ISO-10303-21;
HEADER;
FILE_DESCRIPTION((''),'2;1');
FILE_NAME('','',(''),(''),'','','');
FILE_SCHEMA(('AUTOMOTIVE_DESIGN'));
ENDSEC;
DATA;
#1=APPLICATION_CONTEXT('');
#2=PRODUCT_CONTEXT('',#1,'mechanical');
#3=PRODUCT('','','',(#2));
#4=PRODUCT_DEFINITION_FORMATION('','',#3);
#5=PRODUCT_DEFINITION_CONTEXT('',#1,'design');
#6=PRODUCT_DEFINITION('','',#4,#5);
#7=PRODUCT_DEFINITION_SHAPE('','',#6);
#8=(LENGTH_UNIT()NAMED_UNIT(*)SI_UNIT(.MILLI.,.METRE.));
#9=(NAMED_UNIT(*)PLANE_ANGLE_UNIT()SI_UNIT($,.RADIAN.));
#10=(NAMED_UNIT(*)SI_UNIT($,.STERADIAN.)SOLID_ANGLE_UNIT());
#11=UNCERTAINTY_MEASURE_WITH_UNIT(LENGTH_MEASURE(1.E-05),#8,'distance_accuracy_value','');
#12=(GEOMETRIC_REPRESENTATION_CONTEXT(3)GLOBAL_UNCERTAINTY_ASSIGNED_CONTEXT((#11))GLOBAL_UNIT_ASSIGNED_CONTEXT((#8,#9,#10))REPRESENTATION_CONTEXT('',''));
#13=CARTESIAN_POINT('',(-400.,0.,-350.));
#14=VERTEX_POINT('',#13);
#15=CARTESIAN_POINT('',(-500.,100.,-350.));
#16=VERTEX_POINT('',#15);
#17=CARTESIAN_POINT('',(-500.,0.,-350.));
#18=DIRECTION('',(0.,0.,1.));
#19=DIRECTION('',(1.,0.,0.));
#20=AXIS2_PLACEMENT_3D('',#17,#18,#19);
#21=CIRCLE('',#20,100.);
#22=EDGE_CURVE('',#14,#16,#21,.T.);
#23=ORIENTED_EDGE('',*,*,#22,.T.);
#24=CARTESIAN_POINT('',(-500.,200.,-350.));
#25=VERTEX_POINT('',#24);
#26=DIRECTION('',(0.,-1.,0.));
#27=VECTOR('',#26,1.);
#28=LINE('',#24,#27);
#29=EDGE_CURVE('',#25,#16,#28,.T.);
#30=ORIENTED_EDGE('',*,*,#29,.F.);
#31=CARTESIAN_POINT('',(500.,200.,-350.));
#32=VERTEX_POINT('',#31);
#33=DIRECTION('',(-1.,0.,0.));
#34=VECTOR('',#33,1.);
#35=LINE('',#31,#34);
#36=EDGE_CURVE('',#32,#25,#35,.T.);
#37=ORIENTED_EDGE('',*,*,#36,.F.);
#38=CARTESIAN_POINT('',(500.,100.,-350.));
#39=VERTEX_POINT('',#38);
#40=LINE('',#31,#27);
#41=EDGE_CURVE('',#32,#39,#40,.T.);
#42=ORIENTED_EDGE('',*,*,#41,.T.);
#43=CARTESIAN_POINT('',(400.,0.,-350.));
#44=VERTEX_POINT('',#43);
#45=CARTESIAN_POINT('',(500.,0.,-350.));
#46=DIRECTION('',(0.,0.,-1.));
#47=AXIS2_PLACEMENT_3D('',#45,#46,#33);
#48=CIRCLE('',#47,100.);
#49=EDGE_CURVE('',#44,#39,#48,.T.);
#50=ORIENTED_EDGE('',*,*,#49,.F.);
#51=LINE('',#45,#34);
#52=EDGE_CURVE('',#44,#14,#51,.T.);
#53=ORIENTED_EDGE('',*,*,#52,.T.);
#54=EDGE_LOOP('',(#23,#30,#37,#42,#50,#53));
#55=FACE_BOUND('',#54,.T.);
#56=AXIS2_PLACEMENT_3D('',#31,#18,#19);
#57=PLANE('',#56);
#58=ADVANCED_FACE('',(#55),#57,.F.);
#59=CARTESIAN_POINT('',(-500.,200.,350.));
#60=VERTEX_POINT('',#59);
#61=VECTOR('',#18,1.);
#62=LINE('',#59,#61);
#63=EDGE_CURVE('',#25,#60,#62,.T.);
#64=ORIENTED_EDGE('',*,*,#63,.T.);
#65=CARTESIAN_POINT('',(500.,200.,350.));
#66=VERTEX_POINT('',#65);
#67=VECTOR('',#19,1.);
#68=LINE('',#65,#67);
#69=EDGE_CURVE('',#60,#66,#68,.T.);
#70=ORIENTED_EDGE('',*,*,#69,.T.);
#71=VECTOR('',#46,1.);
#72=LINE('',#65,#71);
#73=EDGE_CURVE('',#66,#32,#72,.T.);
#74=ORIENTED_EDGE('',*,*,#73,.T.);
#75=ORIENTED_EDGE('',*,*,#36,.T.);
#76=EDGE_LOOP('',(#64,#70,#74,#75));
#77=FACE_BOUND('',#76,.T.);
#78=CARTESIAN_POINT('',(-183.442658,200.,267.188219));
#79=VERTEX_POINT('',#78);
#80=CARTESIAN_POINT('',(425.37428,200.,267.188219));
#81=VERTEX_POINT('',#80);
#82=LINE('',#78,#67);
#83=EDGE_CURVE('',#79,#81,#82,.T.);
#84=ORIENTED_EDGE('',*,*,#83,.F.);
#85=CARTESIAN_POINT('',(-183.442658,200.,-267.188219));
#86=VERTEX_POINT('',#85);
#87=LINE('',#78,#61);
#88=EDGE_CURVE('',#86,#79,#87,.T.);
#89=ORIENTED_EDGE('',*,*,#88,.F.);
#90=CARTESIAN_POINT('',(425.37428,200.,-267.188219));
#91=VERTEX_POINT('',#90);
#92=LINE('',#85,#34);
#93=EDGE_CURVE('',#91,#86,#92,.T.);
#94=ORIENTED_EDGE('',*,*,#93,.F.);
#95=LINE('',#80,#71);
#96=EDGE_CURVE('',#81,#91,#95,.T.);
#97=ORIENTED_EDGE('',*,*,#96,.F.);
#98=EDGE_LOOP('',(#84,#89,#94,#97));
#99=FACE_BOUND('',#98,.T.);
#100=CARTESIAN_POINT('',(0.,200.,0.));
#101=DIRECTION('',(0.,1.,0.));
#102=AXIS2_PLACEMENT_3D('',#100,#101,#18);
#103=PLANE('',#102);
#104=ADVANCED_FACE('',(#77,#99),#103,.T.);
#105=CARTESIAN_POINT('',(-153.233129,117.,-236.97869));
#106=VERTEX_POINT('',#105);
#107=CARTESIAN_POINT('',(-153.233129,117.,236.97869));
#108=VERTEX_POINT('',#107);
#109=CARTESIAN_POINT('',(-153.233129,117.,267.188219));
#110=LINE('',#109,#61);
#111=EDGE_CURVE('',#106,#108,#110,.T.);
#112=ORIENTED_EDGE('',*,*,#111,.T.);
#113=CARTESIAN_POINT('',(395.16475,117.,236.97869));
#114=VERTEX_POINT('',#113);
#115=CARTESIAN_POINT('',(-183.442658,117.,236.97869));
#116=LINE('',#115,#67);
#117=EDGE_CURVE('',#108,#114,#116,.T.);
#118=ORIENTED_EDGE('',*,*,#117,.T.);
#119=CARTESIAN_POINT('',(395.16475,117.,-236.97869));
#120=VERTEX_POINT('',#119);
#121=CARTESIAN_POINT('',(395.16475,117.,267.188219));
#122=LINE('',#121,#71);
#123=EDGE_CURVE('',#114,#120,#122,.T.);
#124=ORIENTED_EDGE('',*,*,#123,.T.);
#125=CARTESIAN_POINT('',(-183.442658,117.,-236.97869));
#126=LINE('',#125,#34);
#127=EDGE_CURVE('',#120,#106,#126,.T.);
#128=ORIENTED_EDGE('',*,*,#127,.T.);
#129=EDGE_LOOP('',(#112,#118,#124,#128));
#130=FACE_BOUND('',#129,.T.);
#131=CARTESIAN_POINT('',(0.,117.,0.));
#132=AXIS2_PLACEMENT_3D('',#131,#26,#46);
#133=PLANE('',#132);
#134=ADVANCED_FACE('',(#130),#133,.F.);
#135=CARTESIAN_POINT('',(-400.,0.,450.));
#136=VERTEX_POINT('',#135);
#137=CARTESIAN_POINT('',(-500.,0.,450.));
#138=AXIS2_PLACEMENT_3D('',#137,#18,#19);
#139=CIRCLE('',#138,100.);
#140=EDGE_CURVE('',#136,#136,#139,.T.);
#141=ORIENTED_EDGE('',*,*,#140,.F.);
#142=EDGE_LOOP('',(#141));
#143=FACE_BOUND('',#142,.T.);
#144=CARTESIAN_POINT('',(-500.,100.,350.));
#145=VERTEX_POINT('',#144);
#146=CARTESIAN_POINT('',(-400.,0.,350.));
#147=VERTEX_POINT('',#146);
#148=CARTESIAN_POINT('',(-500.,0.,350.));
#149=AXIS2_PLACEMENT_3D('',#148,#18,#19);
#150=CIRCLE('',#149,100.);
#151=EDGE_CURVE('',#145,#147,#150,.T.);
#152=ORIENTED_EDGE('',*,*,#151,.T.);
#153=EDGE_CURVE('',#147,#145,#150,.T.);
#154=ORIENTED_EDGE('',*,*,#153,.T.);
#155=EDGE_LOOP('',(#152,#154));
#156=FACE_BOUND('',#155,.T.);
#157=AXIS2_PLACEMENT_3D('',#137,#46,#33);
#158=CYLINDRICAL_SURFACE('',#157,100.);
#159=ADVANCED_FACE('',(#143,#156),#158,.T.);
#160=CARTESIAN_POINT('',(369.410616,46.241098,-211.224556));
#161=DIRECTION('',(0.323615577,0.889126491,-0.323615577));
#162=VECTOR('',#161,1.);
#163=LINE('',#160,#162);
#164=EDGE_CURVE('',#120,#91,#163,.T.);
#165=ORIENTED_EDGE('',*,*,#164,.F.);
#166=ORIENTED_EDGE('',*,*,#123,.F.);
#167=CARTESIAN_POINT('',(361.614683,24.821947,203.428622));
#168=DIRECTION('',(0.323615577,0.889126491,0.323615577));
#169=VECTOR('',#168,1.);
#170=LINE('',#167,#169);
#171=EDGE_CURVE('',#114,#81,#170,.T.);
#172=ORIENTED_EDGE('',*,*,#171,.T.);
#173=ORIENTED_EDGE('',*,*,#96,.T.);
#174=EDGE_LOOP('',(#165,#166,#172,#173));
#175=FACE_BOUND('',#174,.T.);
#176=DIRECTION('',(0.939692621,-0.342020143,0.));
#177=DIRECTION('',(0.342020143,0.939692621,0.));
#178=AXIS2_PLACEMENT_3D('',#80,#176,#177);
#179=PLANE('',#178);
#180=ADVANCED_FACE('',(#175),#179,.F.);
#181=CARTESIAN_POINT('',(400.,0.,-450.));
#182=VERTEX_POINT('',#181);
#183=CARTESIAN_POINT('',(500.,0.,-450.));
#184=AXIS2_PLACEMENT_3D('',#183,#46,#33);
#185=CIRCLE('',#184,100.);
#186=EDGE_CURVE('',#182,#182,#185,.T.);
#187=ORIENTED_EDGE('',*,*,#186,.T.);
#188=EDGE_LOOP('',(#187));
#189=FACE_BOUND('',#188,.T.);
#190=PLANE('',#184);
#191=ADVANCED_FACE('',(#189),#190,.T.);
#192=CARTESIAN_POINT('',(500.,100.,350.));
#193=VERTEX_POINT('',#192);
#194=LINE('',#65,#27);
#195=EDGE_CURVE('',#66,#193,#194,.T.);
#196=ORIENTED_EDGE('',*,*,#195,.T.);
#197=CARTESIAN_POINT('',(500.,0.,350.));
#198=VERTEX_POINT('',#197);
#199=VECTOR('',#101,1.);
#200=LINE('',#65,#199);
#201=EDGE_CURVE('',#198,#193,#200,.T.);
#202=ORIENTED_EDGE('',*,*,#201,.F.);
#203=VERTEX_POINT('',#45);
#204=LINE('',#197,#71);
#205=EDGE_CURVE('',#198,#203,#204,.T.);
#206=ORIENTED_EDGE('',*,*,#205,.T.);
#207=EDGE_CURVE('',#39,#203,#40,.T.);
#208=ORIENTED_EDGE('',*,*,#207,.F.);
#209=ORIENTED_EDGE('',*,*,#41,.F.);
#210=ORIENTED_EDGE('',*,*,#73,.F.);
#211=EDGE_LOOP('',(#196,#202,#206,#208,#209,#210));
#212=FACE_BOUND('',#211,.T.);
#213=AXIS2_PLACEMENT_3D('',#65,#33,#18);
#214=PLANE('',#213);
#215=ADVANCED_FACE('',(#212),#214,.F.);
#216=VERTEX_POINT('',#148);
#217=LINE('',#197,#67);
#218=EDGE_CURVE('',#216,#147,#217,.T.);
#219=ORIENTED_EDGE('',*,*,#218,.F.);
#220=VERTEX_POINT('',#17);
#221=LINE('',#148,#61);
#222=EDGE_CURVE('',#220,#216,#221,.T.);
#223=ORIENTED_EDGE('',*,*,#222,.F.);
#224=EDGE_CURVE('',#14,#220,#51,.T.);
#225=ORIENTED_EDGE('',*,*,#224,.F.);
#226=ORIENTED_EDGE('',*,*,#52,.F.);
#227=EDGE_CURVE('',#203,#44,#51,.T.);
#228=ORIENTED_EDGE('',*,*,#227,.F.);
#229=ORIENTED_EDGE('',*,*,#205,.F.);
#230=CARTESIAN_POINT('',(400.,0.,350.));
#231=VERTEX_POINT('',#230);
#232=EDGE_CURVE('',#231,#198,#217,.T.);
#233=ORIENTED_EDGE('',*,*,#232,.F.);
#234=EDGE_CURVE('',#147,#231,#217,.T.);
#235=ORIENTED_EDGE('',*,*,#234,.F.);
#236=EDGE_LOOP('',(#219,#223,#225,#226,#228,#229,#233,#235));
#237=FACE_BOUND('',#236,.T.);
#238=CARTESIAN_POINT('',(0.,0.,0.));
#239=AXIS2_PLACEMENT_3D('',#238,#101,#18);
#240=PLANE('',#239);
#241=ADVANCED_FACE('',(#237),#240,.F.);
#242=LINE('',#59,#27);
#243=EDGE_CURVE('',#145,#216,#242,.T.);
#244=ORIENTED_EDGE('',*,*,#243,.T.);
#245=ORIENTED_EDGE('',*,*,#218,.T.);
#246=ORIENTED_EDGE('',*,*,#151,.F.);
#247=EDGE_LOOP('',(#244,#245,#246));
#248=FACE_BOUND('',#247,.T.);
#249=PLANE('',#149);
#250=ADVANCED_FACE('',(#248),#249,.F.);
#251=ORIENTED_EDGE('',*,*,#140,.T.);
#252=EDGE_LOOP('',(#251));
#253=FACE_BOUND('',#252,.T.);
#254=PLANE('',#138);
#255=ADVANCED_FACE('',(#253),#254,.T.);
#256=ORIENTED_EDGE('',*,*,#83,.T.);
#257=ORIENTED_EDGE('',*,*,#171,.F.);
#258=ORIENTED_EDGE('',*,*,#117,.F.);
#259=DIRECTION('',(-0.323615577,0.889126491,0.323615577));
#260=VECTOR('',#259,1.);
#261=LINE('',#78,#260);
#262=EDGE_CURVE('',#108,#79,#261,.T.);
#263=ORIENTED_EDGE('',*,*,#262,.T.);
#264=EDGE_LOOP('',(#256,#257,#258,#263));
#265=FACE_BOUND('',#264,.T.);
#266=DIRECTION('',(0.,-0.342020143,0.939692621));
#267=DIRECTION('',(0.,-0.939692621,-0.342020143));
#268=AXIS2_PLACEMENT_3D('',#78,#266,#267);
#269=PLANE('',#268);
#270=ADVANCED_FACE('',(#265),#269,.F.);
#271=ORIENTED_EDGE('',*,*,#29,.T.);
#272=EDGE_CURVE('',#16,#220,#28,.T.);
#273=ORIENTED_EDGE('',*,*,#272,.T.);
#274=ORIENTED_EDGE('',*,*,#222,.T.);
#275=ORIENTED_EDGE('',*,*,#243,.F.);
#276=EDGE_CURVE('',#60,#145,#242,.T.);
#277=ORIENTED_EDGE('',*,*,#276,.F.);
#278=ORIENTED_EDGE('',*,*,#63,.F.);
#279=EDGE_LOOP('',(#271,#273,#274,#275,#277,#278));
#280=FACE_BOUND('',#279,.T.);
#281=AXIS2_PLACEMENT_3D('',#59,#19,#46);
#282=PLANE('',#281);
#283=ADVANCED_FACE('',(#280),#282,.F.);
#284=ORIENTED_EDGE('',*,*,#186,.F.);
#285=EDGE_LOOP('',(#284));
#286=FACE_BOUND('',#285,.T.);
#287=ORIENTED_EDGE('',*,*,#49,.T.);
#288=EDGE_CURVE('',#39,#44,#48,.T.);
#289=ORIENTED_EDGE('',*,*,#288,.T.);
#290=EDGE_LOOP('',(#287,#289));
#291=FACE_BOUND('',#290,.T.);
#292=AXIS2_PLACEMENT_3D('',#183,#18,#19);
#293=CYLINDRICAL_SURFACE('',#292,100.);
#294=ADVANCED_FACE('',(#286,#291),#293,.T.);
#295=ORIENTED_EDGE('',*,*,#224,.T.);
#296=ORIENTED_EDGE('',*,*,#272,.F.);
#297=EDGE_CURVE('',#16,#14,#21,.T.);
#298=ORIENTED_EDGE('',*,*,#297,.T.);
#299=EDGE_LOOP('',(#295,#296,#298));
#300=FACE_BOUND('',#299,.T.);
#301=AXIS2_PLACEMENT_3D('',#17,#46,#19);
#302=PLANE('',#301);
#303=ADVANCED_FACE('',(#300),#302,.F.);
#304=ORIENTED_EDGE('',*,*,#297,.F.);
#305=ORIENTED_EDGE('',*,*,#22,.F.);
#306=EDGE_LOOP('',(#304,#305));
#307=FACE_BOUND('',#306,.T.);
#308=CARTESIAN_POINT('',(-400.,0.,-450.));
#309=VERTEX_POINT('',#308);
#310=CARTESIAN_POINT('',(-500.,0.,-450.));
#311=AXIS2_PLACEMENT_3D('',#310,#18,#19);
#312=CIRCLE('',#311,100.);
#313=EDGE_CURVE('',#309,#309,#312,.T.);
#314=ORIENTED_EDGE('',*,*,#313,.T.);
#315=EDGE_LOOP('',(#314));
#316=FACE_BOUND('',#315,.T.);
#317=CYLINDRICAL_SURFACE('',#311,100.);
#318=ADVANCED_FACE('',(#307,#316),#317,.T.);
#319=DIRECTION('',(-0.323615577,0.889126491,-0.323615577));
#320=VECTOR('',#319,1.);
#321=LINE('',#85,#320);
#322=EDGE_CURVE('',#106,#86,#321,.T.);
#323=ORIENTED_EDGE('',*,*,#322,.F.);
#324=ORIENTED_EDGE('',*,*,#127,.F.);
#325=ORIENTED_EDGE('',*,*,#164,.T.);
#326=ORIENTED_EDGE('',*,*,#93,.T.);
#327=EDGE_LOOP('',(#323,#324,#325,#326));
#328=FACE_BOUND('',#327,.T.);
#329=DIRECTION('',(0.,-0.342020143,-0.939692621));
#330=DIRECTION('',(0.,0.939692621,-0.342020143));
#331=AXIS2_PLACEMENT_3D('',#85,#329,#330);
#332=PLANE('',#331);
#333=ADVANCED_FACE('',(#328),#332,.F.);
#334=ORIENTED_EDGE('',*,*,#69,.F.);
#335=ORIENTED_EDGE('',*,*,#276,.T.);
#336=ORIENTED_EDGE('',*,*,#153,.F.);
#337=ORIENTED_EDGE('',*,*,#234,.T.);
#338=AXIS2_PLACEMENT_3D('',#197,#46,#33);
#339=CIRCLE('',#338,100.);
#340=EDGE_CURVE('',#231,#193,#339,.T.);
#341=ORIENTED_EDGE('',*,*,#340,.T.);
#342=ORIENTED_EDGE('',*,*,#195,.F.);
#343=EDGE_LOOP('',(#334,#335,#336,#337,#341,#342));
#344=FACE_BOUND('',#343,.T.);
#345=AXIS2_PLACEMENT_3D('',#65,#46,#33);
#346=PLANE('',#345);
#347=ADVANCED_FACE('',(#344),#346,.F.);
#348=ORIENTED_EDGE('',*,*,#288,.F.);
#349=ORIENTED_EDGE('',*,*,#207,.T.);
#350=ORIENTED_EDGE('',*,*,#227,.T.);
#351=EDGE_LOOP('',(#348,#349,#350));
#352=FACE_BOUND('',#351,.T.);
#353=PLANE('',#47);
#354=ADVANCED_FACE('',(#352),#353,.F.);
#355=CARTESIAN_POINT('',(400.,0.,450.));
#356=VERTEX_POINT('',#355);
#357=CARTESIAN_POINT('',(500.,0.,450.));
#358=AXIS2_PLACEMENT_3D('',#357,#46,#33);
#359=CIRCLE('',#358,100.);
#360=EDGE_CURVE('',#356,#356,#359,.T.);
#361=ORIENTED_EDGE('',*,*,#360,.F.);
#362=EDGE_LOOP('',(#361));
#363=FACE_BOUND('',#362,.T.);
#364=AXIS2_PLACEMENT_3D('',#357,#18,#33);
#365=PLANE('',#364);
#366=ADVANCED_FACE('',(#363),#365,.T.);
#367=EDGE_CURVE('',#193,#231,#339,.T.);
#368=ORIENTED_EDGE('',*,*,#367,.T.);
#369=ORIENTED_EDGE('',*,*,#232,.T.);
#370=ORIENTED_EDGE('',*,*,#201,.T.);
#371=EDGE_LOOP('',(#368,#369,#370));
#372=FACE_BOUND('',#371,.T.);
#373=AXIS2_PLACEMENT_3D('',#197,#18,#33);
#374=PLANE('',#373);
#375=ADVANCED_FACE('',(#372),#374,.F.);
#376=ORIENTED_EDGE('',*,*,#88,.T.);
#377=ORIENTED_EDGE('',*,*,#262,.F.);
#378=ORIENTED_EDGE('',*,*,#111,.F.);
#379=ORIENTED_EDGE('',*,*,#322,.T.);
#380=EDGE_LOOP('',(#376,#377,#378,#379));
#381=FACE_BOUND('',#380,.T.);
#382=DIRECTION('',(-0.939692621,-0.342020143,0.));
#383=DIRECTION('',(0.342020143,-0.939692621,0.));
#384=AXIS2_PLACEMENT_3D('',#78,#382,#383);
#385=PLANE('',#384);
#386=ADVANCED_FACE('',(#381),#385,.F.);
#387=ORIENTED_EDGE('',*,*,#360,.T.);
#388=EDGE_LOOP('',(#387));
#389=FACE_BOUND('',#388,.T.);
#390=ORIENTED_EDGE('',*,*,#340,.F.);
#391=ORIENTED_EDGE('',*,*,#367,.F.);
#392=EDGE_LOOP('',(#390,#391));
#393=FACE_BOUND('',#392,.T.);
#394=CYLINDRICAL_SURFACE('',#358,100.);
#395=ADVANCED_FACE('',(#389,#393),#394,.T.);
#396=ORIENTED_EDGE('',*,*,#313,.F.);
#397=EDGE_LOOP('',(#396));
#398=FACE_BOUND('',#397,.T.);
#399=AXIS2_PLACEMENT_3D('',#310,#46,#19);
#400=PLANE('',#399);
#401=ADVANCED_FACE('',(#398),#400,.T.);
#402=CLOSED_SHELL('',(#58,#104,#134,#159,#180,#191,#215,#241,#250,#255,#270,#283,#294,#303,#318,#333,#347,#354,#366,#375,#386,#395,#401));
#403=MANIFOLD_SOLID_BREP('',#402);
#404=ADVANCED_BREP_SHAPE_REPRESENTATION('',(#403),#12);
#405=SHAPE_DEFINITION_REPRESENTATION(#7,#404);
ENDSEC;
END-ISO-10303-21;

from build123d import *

# Parameters (mm, degrees)
SKETCH_1_W               = 1000
SKETCH_1_H               = 700
EXTRUDE_1_DEPTH          = 200
SKETCH_2_R               = 100
EXTRUDE_2_DEPTH          = 100
MIRROR_2_COPY_1_SKETCH_R = 100
MIRROR_2_COPY_1_DEPTH    = 100
SKETCH_3_W               = 608.816937559
SKETCH_3_H               = 534.376438644
CUT_EXTRUDE_1_DEPTH      = 83
CUT_EXTRUDE_1_DRAFT      = -20


with BuildPart() as part:
    # 草图1 → 凸台-拉伸1 (new body)
    with BuildSketch(Plane(origin=(0, 0, 0), x_dir=(1, 0, 0), z_dir=(0, 1, 0))):
        Rectangle(SKETCH_1_W, SKETCH_1_H)
    extrude(amount=EXTRUDE_1_DEPTH)

    # 草图2 → 凸台-拉伸2 (add)
    with BuildSketch(Plane.XY.offset(350)):
        with Locations((-500, 0)):
            Circle(SKETCH_2_R)
    extrude_2 = extrude(amount=EXTRUDE_2_DEPTH)

    # 镜向1: 凸台-拉伸2 across plane
    add(extrude_2.mirror(Plane(origin=(0, 0, 0), x_dir=(0, 0, 1), z_dir=(1, 0, 0))))

    # 镜向2: 凸台-拉伸2 across plane
    add(extrude_2.mirror(Plane.XY))

    # 镜向2 copy 1 sketch → 镜向2 copy 1 (add)
    with BuildSketch(Plane(origin=(0, 0, -350), x_dir=(-1, 0, 0), z_dir=(0, 0, -1))):
        with Locations((-500, 0)):
            Circle(MIRROR_2_COPY_1_SKETCH_R)
    extrude(amount=MIRROR_2_COPY_1_DEPTH)


with BuildPart() as cut_extrude_1_tool:
    # 草图3 → 切除-拉伸1 (with draft: the straight prism first)
    with BuildSketch(Plane(origin=(0, 200, 0), x_dir=(1, 0, 0), z_dir=(0, 1, 0))):
        with Locations((120.965810738, 0)):
            Rectangle(SKETCH_3_W, SKETCH_3_H)
    extrude(amount=-CUT_EXTRUDE_1_DEPTH)
    # 切除-拉伸1: the draft: its side faces are tilted about the plane it starts from
    cut_extrude_1_sides = [cut_extrude_1_tool.faces().sort_by_distance(p)[0] for p in [
        (120.965810738, 158.5, 267.188219322),
        (425.374279517, 158.5, 0),
        (120.965810738, 158.5, -267.188219322),
        (-183.442658042, 158.5, 0),
    ]]
    draft(cut_extrude_1_sides, Plane(origin=(0, 200, 0), x_dir=(1, 0, 0), z_dir=(0, 1, 0)), CUT_EXTRUDE_1_DRAFT)


with BuildPart() as part_1:
    add(part.part)

    # 切除-拉伸1: cut by cut_extrude_1_tool
    add(cut_extrude_1_tool.part, mode=Mode.SUBTRACT)


solid = part_1.part
